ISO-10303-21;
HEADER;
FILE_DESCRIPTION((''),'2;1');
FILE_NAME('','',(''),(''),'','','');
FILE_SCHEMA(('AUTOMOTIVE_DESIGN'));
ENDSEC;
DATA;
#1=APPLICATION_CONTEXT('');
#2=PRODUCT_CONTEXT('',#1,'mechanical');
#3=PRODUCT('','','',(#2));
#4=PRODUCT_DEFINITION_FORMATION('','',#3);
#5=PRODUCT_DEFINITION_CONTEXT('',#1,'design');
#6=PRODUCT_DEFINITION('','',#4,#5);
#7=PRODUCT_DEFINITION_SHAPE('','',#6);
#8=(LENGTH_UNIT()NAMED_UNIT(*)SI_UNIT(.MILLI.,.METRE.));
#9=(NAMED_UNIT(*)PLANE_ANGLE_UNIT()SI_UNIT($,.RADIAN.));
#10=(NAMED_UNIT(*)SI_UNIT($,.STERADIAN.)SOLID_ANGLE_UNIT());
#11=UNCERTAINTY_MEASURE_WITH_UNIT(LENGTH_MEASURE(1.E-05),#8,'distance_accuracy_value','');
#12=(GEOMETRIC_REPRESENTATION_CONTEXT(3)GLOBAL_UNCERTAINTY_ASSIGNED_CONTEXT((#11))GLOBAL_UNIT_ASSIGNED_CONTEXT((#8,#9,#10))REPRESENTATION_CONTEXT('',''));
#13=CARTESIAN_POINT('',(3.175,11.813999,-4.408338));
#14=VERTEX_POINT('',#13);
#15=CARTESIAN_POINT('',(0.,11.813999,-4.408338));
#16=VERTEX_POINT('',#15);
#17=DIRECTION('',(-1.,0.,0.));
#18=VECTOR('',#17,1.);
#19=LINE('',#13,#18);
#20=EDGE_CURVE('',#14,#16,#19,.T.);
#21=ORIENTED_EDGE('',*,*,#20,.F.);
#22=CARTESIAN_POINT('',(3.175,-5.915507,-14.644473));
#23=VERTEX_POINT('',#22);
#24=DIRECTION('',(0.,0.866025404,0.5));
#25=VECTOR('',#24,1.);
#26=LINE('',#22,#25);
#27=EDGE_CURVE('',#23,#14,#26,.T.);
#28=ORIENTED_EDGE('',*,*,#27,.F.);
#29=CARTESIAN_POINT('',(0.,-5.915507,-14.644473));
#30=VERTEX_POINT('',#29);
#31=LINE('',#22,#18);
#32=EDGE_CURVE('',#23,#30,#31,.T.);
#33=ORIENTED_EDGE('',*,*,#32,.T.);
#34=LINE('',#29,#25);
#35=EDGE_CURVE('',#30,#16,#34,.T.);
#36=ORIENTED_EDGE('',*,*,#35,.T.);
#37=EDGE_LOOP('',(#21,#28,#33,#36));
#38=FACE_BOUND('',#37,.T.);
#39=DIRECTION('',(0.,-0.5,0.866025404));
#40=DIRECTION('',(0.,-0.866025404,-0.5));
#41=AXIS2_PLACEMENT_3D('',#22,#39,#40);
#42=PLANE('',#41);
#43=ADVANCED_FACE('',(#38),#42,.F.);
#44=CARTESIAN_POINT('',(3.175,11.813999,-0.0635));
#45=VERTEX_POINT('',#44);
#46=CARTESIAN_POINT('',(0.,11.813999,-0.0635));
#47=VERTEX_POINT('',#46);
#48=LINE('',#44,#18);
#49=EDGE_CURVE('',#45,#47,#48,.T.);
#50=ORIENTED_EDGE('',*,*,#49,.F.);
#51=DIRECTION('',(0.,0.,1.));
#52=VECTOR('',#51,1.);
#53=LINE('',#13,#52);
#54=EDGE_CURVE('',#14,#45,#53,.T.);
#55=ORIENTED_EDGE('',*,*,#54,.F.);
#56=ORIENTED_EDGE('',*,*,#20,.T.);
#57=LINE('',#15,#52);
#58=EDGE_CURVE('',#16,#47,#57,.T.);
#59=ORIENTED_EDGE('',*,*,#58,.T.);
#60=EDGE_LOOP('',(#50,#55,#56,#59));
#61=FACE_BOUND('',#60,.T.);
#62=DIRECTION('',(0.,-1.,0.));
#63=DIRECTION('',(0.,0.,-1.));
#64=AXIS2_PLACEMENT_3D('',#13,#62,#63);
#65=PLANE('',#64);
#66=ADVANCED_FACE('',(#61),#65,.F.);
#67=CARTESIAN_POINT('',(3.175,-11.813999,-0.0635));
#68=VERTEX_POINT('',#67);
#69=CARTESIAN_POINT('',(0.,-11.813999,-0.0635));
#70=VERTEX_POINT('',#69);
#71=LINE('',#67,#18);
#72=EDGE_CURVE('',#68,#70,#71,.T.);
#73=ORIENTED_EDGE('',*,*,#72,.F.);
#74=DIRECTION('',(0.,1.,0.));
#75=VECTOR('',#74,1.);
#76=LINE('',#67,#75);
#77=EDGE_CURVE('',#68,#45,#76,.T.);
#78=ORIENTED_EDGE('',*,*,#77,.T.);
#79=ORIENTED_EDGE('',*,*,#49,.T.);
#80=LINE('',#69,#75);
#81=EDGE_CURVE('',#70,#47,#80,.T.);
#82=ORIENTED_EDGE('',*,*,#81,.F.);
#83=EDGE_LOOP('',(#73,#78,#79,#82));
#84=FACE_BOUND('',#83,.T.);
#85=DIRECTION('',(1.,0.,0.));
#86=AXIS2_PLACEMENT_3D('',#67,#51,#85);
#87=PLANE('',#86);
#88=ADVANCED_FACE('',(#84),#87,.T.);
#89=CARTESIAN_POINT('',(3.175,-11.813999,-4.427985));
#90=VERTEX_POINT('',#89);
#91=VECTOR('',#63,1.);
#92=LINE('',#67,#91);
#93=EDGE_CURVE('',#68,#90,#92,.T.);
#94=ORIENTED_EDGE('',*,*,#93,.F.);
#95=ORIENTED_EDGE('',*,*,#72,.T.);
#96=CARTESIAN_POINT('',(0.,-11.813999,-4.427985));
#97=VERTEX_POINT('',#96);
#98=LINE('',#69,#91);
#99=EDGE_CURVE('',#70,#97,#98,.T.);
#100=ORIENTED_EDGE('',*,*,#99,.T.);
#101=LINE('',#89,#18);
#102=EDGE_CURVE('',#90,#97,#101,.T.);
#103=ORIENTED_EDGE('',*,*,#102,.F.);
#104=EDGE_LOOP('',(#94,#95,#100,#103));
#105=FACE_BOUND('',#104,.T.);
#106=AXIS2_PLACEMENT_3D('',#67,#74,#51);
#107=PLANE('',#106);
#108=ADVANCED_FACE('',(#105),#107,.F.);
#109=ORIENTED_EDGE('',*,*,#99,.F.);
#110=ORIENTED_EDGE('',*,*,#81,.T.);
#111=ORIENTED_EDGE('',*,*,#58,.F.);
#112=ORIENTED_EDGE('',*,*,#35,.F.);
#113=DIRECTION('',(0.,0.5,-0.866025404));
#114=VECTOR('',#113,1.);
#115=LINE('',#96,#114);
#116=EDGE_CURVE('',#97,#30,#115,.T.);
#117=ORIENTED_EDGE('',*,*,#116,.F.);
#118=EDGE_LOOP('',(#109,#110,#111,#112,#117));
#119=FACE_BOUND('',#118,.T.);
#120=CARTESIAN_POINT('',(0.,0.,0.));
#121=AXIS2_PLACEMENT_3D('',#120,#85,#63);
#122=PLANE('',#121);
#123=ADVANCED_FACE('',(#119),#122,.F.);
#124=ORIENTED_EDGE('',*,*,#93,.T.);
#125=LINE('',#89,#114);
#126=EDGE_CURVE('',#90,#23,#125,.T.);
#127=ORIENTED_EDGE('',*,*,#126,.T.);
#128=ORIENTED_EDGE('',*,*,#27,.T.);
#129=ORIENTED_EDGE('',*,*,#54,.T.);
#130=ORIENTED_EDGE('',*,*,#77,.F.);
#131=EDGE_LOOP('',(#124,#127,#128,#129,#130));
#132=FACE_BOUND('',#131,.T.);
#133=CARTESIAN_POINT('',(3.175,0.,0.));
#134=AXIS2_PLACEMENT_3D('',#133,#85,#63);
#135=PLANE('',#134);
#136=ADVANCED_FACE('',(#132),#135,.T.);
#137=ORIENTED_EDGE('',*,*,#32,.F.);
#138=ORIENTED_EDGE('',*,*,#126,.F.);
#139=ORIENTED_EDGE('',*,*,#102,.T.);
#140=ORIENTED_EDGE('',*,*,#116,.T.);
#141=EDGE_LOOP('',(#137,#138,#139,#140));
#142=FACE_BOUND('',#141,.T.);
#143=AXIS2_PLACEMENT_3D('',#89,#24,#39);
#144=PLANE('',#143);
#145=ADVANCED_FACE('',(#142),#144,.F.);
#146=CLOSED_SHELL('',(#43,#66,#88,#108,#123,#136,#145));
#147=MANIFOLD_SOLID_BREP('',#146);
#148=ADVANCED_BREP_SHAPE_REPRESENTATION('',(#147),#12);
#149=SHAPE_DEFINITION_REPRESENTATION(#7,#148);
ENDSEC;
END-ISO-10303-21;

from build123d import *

# Parameters (mm, degrees)
BOSS_EXTRUDE1_DEPTH = 3.175


with BuildPart() as part:
    # Sketch1 → Boss-Extrude1 (new body)
    with BuildSketch(Plane(origin=(0, 0, 0), x_dir=(0, 0, -1), z_dir=(1, 0, 0))):
        Polygon((4.427985226, -11.81399897), (14.644473227, -5.915506869), (4.408338258, 11.81399897), (0.0635, 11.81399897), (0.0635, -11.81399897), align=None)
    extrude(amount=BOSS_EXTRUDE1_DEPTH)


solid = part.part
